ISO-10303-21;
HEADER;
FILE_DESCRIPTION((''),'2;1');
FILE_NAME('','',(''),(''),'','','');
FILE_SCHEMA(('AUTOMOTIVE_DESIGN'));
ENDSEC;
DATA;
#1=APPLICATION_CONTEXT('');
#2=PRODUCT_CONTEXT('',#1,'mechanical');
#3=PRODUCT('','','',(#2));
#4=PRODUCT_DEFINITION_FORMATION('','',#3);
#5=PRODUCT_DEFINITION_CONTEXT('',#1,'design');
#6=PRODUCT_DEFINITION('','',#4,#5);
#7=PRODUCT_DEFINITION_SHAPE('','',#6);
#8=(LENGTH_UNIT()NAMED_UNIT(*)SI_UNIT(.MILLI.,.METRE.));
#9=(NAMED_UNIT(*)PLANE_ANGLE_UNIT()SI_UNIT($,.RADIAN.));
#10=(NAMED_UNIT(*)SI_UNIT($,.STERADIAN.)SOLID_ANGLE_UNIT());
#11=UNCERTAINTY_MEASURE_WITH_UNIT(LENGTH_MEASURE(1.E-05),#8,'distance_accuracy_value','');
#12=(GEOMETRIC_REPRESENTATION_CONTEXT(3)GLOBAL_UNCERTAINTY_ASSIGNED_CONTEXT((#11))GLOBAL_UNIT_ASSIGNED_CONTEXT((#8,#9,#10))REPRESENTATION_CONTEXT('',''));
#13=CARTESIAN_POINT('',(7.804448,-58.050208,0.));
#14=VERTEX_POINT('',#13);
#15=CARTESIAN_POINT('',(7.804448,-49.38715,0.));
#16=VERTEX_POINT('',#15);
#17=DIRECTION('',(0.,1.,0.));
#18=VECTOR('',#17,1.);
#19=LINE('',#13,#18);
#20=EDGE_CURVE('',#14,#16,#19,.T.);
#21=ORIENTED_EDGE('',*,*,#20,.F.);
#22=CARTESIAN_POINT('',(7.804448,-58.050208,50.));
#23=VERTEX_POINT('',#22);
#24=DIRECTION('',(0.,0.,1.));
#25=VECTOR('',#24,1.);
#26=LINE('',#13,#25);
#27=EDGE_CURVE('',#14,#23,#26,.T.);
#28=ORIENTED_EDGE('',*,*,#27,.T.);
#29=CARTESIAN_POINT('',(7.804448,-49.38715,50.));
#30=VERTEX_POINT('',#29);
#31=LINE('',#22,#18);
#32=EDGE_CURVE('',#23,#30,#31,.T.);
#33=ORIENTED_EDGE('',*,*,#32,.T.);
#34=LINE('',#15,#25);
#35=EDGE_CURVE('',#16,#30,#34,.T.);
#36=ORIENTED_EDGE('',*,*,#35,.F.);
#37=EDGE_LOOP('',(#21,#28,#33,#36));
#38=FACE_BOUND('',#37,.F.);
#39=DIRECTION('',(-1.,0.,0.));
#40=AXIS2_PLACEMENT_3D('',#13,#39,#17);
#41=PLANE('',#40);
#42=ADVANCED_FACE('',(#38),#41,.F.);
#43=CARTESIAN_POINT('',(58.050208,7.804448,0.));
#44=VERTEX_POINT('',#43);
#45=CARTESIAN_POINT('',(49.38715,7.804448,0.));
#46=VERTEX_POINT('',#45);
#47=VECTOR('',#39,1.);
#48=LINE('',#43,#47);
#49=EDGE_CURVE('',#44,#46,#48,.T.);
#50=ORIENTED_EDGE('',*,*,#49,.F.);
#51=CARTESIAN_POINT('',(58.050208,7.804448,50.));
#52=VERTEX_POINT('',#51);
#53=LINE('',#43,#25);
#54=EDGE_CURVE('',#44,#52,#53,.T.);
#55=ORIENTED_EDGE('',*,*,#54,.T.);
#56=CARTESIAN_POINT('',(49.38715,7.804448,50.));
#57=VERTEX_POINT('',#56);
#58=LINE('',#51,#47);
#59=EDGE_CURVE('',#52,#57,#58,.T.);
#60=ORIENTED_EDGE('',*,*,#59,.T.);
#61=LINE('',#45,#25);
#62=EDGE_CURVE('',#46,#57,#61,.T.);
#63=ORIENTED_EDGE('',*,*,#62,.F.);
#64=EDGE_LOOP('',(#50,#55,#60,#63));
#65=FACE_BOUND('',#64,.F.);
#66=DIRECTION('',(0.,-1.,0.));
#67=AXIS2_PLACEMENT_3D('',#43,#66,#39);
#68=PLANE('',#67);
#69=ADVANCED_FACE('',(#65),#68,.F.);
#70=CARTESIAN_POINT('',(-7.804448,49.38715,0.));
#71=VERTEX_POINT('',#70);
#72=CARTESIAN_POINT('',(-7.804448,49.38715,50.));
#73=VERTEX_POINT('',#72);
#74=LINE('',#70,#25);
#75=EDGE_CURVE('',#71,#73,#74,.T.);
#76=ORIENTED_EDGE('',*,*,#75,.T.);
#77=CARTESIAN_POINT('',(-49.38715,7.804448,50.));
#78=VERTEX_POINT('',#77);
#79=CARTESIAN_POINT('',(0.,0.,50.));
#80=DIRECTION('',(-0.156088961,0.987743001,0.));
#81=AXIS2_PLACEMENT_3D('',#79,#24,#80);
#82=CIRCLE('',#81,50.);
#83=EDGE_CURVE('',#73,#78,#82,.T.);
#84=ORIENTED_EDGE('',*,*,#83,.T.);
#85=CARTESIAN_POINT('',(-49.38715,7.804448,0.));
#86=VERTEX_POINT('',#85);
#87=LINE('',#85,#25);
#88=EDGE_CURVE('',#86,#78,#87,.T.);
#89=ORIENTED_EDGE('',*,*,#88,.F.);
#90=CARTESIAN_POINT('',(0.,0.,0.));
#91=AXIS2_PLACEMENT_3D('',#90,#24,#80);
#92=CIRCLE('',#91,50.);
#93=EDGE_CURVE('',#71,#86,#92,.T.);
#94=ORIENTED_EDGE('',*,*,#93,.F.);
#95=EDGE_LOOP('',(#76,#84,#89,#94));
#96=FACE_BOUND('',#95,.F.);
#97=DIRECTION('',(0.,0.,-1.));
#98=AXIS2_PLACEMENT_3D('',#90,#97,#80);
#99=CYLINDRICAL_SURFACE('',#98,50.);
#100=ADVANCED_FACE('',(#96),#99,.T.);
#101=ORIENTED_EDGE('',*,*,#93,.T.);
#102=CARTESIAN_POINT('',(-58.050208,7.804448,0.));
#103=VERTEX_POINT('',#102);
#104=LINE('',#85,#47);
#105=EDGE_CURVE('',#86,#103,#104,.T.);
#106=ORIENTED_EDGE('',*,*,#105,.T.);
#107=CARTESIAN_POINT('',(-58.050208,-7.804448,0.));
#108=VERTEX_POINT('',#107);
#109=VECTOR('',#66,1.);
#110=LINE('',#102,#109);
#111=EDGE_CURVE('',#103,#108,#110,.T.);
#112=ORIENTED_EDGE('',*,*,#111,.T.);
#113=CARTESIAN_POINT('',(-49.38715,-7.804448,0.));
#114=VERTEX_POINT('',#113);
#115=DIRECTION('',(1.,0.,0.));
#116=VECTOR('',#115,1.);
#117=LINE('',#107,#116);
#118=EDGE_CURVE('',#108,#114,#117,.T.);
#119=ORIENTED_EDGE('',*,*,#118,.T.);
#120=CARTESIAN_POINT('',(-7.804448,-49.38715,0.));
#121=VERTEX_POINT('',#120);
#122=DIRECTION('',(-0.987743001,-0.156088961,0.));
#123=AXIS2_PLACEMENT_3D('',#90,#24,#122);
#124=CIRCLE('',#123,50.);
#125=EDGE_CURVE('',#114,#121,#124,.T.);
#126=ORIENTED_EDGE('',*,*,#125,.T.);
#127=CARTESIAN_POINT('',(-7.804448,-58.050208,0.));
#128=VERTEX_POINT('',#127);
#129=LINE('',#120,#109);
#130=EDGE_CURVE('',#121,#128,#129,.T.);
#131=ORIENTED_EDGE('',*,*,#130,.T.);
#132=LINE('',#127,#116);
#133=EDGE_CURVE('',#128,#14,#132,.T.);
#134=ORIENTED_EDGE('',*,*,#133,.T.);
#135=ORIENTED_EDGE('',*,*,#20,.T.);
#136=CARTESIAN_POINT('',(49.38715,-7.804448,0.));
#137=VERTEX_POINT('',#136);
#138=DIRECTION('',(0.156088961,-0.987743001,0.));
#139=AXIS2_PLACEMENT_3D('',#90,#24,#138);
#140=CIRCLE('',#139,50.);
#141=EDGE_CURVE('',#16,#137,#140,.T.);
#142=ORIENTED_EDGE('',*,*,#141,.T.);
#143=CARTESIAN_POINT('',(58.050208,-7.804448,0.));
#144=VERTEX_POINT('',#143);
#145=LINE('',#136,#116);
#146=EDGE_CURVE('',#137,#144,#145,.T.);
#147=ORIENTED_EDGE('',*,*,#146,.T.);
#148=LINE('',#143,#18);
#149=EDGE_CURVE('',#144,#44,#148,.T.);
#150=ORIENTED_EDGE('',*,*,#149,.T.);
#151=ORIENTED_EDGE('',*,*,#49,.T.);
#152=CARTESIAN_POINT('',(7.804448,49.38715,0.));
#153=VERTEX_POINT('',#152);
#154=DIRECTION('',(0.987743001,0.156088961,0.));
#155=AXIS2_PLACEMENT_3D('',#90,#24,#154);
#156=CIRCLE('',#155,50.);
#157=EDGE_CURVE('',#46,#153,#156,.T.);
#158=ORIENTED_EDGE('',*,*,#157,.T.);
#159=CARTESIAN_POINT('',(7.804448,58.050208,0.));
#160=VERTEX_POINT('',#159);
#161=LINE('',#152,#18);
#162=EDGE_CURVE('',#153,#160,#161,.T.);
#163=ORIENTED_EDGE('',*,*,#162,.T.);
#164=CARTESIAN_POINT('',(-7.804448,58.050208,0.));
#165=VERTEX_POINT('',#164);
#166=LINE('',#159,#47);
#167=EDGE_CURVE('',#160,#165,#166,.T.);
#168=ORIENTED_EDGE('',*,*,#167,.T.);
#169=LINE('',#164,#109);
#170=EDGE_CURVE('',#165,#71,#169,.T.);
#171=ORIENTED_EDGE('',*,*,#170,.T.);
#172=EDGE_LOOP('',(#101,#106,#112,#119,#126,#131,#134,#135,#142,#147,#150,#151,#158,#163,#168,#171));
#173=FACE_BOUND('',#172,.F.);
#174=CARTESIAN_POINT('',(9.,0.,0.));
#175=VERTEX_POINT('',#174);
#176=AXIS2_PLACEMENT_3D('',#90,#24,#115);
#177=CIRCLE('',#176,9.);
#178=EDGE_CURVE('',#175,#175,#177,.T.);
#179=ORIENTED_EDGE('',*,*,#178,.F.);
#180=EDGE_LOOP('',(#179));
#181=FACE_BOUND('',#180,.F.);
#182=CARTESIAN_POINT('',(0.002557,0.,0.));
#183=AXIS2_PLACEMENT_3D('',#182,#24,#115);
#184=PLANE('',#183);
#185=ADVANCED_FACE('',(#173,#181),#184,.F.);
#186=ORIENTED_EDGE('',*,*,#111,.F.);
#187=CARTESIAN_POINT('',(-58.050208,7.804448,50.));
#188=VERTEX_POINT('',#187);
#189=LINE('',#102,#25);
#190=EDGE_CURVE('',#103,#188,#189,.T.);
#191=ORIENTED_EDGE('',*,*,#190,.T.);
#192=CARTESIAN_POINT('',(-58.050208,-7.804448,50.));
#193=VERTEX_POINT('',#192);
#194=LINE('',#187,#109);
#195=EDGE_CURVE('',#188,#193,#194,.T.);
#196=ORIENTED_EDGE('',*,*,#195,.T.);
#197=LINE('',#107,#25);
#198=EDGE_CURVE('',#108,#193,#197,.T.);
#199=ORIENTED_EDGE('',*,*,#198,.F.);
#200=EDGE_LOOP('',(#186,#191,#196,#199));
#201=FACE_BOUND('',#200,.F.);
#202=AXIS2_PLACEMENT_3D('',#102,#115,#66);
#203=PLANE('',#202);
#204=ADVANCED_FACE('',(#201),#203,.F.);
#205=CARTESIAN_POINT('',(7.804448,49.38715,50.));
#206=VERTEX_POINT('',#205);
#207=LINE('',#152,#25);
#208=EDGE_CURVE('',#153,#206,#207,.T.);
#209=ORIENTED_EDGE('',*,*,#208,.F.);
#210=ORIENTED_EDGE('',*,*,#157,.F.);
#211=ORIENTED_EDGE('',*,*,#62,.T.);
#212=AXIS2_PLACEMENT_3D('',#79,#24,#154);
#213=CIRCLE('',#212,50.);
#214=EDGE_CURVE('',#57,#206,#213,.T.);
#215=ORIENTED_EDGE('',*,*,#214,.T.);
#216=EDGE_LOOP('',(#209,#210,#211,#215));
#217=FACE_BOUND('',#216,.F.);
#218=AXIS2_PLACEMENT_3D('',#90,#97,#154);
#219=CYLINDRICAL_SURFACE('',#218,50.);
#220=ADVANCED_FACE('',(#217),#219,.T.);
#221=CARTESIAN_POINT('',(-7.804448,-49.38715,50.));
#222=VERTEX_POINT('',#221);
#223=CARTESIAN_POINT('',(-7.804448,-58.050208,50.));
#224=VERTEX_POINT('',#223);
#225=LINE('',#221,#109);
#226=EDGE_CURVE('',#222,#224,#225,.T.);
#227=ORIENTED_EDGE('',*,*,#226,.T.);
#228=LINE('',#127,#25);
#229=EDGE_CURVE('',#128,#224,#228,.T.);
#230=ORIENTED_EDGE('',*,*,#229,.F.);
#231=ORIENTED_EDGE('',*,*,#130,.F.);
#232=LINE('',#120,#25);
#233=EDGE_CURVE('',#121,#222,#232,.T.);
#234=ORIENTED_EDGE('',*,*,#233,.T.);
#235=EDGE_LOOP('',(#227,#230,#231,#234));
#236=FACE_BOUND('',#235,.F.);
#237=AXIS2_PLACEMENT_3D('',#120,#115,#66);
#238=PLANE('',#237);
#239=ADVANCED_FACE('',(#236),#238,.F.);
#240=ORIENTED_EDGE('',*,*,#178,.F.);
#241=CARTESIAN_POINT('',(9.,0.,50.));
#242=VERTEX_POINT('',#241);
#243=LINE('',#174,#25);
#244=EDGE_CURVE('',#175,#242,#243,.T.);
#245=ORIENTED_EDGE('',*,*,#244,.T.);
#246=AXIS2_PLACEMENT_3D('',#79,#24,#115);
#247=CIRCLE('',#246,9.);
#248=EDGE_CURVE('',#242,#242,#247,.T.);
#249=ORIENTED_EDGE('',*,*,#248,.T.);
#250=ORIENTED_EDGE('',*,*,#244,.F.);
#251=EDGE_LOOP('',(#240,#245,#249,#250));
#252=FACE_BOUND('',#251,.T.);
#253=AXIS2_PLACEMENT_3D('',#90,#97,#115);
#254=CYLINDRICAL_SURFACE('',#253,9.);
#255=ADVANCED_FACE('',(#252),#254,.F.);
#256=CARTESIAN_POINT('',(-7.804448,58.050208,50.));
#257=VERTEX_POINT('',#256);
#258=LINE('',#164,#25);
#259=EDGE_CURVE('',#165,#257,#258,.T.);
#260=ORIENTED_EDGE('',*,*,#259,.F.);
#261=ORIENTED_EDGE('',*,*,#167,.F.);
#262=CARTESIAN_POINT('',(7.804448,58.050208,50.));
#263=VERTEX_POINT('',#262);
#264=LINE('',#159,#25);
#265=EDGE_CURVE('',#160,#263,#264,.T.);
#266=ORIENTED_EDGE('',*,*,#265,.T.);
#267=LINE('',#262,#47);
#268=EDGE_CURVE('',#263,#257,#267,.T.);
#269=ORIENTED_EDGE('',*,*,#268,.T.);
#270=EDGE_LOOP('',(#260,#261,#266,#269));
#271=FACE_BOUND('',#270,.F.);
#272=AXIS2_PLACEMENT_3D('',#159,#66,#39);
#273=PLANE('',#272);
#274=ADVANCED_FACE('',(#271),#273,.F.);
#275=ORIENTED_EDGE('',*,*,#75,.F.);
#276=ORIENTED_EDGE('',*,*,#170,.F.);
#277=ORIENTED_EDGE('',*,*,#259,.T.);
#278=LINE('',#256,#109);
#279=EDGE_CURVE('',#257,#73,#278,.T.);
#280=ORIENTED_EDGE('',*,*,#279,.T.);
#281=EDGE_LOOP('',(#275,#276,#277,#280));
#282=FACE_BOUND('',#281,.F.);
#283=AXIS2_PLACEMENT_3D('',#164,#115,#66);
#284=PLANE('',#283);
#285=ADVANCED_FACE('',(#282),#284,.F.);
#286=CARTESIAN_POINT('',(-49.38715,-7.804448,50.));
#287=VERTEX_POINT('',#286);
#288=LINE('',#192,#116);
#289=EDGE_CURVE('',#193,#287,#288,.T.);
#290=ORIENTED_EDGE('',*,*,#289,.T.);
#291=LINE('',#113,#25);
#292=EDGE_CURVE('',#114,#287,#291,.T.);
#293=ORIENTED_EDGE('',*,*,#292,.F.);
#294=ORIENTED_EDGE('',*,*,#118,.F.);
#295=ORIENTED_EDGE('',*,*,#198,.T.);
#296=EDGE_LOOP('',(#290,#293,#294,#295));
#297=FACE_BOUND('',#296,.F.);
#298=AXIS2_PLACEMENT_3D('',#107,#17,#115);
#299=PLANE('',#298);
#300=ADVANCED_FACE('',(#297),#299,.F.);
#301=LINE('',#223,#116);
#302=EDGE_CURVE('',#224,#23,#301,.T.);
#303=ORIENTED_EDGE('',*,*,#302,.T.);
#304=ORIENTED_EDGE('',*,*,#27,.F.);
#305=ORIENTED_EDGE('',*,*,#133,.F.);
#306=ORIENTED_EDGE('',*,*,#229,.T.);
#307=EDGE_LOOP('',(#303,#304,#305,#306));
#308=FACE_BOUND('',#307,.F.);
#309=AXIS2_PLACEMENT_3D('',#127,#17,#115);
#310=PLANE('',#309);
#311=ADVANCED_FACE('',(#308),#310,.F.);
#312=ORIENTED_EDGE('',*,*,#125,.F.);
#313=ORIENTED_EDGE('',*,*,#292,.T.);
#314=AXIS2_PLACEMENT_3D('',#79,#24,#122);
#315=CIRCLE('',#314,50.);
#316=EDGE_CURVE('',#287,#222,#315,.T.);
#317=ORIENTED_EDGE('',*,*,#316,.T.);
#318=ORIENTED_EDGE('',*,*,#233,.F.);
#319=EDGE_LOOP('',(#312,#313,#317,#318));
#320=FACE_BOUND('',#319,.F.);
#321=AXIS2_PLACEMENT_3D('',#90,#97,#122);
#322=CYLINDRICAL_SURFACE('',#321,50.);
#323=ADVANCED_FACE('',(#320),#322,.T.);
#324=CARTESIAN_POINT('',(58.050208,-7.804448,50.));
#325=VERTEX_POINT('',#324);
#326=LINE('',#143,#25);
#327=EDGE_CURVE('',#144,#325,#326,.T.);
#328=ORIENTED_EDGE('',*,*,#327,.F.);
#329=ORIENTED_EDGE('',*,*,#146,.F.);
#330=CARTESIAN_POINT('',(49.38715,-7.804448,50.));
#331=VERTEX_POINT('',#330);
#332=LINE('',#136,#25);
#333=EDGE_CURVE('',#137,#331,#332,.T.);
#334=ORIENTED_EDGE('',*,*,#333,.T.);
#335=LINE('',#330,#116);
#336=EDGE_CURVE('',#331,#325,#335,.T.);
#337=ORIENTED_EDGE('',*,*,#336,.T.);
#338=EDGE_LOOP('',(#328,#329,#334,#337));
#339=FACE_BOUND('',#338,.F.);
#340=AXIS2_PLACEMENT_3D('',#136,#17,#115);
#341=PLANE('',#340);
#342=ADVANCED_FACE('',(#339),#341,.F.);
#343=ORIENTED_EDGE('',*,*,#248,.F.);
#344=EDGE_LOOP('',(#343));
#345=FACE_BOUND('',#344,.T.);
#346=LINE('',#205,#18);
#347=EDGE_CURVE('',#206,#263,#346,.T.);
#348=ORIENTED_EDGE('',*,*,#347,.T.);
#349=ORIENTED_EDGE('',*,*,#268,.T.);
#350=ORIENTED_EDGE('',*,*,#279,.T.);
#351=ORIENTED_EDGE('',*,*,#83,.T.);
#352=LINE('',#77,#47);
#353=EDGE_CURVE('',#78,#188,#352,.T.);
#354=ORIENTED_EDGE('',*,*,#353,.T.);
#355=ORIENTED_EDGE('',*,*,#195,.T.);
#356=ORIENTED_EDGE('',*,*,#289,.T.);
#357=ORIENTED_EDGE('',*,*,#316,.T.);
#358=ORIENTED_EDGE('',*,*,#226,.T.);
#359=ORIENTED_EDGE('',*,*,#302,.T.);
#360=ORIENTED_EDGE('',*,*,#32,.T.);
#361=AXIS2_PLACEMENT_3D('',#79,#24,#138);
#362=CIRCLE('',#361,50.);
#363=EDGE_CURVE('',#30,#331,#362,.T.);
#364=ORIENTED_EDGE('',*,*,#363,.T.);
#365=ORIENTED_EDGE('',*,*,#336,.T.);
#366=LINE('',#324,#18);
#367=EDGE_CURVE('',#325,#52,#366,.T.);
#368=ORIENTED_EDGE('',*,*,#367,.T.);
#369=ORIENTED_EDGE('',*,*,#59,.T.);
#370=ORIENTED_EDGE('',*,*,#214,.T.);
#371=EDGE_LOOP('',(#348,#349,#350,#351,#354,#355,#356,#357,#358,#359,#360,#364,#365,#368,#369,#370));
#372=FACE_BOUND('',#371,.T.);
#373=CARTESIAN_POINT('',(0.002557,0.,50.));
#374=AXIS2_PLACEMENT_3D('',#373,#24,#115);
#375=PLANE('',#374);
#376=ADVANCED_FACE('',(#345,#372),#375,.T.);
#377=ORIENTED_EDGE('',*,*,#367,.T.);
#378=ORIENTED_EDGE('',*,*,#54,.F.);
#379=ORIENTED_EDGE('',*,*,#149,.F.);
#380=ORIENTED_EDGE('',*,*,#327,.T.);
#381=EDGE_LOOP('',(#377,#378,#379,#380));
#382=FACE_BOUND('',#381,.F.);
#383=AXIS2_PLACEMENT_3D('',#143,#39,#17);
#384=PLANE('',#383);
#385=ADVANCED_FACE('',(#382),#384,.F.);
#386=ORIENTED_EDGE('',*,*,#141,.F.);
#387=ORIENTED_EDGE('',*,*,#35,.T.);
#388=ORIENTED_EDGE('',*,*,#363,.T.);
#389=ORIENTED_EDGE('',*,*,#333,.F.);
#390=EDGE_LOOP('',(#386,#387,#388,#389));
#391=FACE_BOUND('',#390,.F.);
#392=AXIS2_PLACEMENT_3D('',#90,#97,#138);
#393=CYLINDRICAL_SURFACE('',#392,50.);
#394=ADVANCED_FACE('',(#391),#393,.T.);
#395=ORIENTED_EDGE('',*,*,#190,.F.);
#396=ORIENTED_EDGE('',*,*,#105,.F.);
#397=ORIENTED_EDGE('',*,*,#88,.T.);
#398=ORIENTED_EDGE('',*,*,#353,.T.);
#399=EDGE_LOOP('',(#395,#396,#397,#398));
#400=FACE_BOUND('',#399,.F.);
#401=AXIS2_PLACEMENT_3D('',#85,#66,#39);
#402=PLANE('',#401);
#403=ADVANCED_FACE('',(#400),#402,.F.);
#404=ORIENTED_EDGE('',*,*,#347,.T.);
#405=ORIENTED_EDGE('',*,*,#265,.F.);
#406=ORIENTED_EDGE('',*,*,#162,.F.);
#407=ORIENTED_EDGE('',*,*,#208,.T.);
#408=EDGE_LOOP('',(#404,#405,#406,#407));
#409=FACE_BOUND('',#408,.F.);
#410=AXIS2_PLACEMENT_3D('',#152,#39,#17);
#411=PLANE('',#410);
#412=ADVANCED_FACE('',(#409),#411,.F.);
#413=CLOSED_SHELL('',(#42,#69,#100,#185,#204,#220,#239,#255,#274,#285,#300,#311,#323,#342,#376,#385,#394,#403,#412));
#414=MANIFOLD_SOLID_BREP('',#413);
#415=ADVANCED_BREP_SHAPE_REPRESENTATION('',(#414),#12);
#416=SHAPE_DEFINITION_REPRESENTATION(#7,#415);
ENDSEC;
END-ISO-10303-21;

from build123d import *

# Parameters (mm, degrees)
F0_R     = 9
F1_DEPTH = 50


with BuildPart() as f1:
    # F0 (on Top) → F1 (new body)
    with BuildSketch(Plane.XY):
        with BuildLine():
            ThreePointArc((49.38715, -7.804448), (49.846552, -3.914237), (50, 0))
            ThreePointArc((50, 0), (49.846552, 3.914237), (49.38715, 7.804448))
            ThreePointArc((49.38715, 7.804448), (35.355339, 35.355339), (7.804448, 49.38715))
            ThreePointArc((7.804448, 49.38715), (0, 50), (-7.804448, 49.38715))
            ThreePointArc((-7.804448, 49.38715), (-35.355339, 35.355339), (-49.38715, 7.804448))
            ThreePointArc((-49.38715, 7.804448), (-50, 0), (-49.38715, -7.804448))
            ThreePointArc((-49.38715, -7.804448), (-35.355339, -35.355339), (-7.804448, -49.38715))
            ThreePointArc((-7.804448, -49.38715), (0, -50), (7.804448, -49.38715))
            ThreePointArc((7.804448, -49.38715), (35.355339, -35.355339), (49.38715, -7.804448))
        make_face()
        Circle(F0_R, mode=Mode.SUBTRACT)
        with BuildLine():
            ThreePointArc((-7.804448, 49.38715), (0, 50), (7.804448, 49.38715))
            Line((7.804448, 49.38715), (7.804448, 58.050208))
            Line((7.804448, 58.050208), (-7.804448, 58.050208))
            Line((-7.804448, 58.050208), (-7.804448, 49.38715))
        make_face()
        with BuildLine():
            ThreePointArc((49.38715, 7.804448), (49.846552, 3.914237), (50, 0))
            ThreePointArc((50, 0), (49.846552, -3.914237), (49.38715, -7.804448))
            Line((49.38715, -7.804448), (58.050208, -7.804448))
            Line((58.050208, -7.804448), (58.050208, 7.804448))
            Line((58.050208, 7.804448), (49.38715, 7.804448))
        make_face()
        with BuildLine():
            Line((7.804448, -58.050208), (7.804448, -49.38715))
            ThreePointArc((7.804448, -49.38715), (0, -50), (-7.804448, -49.38715))
            Line((-7.804448, -49.38715), (-7.804448, -58.050208))
            Line((-7.804448, -58.050208), (7.804448, -58.050208))
        make_face()
        with BuildLine():
            ThreePointArc((-49.38715, -7.804448), (-50, 0), (-49.38715, 7.804448))
            Line((-49.38715, 7.804448), (-58.050208, 7.804448))
            Line((-58.050208, 7.804448), (-58.050208, -7.804448))
            Line((-58.050208, -7.804448), (-49.38715, -7.804448))
        make_face()
    extrude(amount=F1_DEPTH)


solid = f1.part
